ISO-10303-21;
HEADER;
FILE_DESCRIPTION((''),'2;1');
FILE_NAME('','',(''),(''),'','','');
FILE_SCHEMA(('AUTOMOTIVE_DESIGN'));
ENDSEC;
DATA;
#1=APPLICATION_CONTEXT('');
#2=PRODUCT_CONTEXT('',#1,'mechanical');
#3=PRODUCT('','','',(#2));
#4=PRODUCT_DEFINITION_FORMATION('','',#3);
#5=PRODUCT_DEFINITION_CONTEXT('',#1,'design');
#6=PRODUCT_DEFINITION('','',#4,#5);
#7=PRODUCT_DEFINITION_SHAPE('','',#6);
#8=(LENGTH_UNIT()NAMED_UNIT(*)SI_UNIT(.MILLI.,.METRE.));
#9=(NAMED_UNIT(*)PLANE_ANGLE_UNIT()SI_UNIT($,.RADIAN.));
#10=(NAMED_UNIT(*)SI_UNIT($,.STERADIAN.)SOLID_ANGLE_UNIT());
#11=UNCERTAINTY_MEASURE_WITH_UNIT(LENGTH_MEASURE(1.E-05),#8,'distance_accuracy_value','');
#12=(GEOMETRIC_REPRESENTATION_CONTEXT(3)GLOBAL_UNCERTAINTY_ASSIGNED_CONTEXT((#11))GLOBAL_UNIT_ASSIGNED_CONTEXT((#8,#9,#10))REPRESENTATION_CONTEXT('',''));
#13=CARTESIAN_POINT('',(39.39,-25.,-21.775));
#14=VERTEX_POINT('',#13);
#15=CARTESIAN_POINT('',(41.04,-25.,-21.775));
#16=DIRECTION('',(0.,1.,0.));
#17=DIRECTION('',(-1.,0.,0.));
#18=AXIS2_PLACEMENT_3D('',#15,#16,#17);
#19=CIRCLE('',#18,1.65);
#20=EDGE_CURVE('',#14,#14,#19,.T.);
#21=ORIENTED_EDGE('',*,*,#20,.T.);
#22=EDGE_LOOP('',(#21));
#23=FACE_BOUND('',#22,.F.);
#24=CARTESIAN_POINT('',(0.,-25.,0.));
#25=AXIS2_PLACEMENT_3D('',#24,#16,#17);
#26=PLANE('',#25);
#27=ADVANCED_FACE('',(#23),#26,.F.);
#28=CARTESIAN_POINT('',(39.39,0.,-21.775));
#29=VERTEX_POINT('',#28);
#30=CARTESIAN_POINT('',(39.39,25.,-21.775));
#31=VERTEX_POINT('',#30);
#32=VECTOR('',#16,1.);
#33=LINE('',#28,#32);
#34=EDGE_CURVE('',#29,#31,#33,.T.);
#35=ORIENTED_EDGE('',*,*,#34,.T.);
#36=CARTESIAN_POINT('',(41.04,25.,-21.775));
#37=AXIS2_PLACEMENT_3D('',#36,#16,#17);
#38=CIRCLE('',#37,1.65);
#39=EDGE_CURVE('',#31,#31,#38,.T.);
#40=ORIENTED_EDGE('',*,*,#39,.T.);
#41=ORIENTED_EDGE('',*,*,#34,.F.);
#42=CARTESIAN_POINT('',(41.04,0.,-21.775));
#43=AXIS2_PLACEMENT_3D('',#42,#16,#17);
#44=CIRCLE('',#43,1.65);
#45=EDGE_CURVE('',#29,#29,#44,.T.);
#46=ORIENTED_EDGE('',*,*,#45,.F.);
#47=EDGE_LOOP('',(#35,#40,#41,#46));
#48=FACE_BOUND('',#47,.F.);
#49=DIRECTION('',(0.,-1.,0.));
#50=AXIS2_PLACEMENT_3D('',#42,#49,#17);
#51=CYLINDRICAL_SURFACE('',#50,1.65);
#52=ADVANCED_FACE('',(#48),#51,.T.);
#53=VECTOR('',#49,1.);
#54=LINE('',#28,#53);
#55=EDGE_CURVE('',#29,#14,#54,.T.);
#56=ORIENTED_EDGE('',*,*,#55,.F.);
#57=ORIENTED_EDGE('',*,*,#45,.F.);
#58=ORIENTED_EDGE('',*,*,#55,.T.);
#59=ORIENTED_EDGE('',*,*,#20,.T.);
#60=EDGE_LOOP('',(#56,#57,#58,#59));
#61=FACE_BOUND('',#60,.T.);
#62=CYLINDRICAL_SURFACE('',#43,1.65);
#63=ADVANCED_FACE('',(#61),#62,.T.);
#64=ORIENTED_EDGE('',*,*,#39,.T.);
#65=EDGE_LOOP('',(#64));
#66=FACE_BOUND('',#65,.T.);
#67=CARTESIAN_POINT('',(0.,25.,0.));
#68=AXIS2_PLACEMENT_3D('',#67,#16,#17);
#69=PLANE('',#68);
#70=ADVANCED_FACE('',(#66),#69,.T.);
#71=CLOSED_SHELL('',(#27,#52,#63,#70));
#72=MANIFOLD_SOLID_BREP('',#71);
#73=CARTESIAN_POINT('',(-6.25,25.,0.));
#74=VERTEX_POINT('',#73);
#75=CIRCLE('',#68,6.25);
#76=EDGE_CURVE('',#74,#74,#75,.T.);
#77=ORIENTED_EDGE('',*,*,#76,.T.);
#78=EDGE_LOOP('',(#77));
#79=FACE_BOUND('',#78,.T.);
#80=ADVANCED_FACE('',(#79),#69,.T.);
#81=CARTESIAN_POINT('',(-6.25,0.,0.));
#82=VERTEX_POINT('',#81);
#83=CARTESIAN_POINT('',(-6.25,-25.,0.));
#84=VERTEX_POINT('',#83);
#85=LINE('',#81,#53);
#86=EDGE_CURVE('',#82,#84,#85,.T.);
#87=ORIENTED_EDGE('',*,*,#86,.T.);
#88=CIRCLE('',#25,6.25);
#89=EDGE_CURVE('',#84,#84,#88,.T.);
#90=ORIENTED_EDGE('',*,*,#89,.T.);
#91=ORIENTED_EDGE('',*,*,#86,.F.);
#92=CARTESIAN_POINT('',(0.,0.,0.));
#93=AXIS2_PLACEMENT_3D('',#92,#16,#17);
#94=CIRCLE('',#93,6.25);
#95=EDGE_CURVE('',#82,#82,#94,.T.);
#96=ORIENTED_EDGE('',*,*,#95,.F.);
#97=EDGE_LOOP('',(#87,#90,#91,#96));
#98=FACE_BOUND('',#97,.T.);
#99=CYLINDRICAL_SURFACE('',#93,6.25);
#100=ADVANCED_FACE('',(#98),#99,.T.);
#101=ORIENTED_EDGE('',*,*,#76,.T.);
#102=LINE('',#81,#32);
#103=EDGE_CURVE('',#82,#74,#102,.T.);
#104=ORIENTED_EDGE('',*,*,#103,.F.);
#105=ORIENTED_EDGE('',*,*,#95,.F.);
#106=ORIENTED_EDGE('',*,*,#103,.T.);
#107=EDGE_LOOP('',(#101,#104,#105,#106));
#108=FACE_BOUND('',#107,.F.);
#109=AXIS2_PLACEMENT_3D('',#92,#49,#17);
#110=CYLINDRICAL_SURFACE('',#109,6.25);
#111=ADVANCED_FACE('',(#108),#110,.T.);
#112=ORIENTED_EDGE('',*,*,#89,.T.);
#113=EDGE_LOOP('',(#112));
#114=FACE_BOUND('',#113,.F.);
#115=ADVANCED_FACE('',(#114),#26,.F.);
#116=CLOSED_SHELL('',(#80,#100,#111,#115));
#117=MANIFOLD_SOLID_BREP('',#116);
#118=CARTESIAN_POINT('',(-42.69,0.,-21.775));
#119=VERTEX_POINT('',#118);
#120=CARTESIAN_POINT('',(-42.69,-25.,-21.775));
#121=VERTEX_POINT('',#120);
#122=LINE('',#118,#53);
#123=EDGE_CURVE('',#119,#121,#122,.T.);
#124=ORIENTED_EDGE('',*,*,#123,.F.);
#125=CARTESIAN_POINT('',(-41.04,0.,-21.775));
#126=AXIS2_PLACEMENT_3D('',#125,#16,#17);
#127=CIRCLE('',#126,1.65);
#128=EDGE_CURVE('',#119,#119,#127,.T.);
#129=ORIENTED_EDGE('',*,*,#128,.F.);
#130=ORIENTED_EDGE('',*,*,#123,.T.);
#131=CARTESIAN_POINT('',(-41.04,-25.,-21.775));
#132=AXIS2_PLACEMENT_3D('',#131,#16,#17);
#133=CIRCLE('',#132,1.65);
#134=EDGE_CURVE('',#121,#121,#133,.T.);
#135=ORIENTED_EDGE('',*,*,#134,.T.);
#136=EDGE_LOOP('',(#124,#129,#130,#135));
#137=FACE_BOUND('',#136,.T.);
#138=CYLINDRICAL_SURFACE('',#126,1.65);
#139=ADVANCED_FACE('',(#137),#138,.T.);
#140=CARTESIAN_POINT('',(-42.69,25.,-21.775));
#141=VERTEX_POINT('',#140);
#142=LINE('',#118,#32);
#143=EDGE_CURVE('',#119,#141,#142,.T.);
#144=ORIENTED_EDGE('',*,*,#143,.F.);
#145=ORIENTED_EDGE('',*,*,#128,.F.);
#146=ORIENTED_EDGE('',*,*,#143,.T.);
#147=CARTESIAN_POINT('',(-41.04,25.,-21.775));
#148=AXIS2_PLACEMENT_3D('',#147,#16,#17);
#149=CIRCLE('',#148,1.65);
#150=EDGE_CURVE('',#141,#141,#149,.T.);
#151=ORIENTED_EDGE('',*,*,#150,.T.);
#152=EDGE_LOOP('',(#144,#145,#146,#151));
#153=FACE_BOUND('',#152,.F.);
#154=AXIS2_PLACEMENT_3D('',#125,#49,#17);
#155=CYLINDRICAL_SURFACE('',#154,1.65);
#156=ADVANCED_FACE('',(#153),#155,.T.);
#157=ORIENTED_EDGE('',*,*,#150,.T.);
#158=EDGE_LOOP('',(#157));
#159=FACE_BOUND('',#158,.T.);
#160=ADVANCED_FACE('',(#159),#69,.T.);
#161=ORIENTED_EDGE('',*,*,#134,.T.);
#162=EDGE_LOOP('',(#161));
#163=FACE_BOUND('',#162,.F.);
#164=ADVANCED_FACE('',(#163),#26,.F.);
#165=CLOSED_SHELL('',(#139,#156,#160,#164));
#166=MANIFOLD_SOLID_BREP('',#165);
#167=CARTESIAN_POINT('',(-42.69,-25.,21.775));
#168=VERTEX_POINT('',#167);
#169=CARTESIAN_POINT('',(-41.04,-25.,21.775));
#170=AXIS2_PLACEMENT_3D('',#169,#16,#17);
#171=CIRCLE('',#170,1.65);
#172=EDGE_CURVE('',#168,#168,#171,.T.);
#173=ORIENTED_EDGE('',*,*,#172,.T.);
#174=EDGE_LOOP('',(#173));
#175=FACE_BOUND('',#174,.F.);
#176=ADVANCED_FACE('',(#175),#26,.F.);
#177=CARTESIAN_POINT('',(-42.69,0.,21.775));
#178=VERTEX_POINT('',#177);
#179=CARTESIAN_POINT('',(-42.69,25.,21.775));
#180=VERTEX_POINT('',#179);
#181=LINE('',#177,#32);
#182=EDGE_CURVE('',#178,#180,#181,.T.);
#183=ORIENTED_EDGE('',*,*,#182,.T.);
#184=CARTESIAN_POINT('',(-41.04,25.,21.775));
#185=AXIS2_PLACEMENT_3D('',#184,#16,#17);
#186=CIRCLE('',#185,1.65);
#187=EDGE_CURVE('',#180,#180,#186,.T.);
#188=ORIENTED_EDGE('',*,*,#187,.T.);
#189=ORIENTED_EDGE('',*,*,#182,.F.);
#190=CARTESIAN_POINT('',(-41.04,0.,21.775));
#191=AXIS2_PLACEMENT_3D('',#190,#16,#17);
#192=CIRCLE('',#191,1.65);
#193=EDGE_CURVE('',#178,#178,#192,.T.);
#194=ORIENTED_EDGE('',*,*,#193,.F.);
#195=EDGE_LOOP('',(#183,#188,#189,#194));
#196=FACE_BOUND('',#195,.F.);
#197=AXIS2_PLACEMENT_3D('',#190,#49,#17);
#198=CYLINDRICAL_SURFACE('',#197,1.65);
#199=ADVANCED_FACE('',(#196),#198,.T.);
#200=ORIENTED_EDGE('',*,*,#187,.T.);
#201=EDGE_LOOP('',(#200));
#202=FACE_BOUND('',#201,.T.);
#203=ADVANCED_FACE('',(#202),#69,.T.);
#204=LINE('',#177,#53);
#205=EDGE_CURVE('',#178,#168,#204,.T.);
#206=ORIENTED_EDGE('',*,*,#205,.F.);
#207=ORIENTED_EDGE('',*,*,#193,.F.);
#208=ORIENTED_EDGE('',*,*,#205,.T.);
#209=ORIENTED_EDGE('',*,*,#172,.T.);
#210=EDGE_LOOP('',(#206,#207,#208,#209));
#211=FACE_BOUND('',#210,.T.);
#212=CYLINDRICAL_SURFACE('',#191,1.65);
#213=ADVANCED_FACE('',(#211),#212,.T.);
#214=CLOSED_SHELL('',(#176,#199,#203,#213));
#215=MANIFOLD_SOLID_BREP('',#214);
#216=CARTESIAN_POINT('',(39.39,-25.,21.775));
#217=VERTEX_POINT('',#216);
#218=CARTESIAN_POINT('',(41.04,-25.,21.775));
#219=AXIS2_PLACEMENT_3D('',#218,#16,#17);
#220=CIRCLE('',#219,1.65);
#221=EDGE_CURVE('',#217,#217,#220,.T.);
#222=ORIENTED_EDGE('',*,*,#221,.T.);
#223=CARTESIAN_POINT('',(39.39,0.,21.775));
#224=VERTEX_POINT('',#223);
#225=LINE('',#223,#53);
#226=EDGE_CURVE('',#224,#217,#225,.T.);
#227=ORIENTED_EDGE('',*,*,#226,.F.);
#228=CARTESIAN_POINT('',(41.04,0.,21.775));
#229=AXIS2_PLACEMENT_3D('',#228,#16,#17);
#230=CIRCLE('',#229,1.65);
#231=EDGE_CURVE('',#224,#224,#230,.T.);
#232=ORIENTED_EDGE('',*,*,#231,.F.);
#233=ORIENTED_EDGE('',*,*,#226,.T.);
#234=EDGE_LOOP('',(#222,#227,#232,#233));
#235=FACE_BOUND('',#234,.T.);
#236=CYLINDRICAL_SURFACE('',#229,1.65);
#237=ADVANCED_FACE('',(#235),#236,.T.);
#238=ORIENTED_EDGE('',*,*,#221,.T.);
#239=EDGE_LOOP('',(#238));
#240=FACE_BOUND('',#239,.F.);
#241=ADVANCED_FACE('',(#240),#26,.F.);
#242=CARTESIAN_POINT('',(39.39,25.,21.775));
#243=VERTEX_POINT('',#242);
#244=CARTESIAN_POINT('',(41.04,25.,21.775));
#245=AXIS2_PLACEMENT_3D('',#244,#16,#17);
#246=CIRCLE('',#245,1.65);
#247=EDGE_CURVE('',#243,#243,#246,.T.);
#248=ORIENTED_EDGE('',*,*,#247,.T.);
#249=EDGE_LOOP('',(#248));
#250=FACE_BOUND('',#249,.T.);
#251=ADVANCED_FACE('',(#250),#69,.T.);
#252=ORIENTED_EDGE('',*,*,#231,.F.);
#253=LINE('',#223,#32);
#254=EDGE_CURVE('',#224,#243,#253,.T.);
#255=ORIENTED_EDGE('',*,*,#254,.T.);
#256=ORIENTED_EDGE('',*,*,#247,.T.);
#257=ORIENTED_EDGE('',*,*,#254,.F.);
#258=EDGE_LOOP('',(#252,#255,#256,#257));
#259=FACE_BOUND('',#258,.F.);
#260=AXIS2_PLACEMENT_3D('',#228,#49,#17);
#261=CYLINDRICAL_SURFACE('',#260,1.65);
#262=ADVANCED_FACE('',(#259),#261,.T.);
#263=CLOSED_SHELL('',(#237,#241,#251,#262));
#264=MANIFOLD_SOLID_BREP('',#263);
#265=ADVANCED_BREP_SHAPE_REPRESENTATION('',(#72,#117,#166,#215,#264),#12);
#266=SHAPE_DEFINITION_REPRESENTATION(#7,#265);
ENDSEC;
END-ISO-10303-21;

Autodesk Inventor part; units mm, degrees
ref_plane "YZ Plane" through (0, 0, 0) normal (1, 0, 0) x (0, 1, 0)
ref_plane "XZ Plane" through (0, 0, 0) normal (0, 1, 0) x (-1, 0, 0)
ref_plane "XY Plane" through (0, 0, 0) normal (0, 0, 1) x (1, 0, 0)
sketch "Sketch1" plane through (0, 0, 0) normal (0, 1, 0) x (-1, 0, 0)
  line L0 (41.04, -21.775) -> (-41.04, -21.775) construction
  line L1 (-41.04, -21.775) -> (-41.04, 21.775) construction
  line L2 (-41.04, 21.775) -> (41.04, 21.775) construction
  line L3 (41.04, 21.775) -> (41.04, -21.775) construction
  circle A0 centre (-41.04, -21.775) radius 1.65
  circle A1 centre (-41.04, 21.775) radius 1.65
  circle A2 centre (41.04, 21.775) radius 1.65
  circle A3 centre (41.04, -21.775) radius 1.65
  circle A4 centre (0, 0) radius 6.25
  line L4 (41.04, -21.775) -> (-41.04, -21.775) construction
  line L5 (-41.04, -21.775) -> (-41.04, 21.775) construction
  line L6 (-41.04, 21.775) -> (41.04, 21.775) construction
  line L7 (41.04, 21.775) -> (41.04, -21.775) construction
  line L8 (41.04, -21.775) -> (-41.04, 21.775) construction
  line L9 (-41.04, -21.775) -> (41.04, 21.775) construction
  circle A5 centre (41.04, -78.2405) radius 1.65 construction
  line L10 (41.04, -78.2405) -> (41.04, -21.775) construction
  point P0 (0, 0)
  dimension "d0" = 82.08
  dimension "d1" = 43.55
  dimension "d2" = 3.3
  dimension "d3" = 12.5
  dimension "d6" = 56.4655
  dimension "d7" = 41.04
extrude "Extrusion1" add sketch "Sketch1" along normal mid plane 50
properties part number "Joystick_Holes_Positive"
